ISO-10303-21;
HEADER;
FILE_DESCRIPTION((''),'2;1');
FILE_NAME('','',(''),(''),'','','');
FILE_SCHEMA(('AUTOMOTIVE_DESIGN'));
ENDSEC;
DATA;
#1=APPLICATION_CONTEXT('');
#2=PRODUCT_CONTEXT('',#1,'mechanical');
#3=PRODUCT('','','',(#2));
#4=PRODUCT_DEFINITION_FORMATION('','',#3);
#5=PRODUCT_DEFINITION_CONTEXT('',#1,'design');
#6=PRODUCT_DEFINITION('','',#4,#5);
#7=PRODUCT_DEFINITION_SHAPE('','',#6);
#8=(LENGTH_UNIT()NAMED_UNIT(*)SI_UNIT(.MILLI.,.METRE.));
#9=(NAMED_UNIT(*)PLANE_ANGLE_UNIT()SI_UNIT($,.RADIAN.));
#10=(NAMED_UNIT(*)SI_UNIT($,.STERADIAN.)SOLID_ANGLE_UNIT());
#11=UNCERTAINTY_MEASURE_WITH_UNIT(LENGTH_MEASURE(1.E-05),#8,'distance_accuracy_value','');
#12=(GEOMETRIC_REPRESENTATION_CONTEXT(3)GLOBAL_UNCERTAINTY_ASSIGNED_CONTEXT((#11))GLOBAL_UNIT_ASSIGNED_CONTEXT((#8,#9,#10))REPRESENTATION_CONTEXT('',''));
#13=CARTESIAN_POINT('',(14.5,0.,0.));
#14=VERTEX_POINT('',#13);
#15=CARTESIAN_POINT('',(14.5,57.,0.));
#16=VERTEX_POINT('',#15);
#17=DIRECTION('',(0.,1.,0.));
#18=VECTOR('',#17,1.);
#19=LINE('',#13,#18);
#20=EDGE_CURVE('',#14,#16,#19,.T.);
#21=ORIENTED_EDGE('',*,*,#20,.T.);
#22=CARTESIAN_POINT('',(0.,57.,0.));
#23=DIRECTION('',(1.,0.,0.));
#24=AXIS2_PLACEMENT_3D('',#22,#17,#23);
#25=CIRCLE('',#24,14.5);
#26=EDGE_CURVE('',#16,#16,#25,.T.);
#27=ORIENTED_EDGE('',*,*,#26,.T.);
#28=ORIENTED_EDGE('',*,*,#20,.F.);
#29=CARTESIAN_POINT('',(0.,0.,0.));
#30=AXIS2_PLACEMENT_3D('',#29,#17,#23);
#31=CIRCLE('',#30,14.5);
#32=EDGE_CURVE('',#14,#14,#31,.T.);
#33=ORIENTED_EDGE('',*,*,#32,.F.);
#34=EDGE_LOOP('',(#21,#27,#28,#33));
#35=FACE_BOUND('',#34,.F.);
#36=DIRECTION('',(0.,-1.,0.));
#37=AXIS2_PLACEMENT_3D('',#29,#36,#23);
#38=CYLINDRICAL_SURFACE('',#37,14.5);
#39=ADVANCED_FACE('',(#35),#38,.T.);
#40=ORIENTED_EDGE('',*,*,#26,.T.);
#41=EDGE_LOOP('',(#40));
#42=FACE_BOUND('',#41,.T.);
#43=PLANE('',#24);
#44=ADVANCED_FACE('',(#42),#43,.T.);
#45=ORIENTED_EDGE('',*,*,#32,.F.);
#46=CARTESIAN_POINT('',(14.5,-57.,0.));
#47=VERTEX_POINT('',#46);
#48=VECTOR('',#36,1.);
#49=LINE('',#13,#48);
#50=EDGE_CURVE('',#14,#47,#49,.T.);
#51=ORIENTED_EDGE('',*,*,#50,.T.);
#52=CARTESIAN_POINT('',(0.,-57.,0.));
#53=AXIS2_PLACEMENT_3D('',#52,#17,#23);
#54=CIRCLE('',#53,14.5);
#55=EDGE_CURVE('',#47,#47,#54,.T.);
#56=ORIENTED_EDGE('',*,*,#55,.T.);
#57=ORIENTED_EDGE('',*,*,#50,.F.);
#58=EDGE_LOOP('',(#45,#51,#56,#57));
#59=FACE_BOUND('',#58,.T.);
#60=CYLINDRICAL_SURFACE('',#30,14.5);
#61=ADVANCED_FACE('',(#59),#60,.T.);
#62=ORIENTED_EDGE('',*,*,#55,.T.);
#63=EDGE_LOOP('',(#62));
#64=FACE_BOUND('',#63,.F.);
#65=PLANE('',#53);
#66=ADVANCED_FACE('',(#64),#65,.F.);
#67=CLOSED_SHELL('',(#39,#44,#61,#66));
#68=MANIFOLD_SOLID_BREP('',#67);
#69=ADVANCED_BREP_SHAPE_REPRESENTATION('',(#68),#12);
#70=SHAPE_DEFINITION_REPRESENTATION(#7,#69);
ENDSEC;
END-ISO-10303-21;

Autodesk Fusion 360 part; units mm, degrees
sketch "Sketch1" plane through (0, 0, 0) normal (0, 1, 0) x (1, 0, 0)
  circle A0 centre (0, 0) radius 14.5
  dimension "d1" = 29
extrude "Extrude1" add sketch "Sketch1" along normal mid plane 114
equation "d2 = ( 11.4 cm / 2 cm ) * 1 cm"
